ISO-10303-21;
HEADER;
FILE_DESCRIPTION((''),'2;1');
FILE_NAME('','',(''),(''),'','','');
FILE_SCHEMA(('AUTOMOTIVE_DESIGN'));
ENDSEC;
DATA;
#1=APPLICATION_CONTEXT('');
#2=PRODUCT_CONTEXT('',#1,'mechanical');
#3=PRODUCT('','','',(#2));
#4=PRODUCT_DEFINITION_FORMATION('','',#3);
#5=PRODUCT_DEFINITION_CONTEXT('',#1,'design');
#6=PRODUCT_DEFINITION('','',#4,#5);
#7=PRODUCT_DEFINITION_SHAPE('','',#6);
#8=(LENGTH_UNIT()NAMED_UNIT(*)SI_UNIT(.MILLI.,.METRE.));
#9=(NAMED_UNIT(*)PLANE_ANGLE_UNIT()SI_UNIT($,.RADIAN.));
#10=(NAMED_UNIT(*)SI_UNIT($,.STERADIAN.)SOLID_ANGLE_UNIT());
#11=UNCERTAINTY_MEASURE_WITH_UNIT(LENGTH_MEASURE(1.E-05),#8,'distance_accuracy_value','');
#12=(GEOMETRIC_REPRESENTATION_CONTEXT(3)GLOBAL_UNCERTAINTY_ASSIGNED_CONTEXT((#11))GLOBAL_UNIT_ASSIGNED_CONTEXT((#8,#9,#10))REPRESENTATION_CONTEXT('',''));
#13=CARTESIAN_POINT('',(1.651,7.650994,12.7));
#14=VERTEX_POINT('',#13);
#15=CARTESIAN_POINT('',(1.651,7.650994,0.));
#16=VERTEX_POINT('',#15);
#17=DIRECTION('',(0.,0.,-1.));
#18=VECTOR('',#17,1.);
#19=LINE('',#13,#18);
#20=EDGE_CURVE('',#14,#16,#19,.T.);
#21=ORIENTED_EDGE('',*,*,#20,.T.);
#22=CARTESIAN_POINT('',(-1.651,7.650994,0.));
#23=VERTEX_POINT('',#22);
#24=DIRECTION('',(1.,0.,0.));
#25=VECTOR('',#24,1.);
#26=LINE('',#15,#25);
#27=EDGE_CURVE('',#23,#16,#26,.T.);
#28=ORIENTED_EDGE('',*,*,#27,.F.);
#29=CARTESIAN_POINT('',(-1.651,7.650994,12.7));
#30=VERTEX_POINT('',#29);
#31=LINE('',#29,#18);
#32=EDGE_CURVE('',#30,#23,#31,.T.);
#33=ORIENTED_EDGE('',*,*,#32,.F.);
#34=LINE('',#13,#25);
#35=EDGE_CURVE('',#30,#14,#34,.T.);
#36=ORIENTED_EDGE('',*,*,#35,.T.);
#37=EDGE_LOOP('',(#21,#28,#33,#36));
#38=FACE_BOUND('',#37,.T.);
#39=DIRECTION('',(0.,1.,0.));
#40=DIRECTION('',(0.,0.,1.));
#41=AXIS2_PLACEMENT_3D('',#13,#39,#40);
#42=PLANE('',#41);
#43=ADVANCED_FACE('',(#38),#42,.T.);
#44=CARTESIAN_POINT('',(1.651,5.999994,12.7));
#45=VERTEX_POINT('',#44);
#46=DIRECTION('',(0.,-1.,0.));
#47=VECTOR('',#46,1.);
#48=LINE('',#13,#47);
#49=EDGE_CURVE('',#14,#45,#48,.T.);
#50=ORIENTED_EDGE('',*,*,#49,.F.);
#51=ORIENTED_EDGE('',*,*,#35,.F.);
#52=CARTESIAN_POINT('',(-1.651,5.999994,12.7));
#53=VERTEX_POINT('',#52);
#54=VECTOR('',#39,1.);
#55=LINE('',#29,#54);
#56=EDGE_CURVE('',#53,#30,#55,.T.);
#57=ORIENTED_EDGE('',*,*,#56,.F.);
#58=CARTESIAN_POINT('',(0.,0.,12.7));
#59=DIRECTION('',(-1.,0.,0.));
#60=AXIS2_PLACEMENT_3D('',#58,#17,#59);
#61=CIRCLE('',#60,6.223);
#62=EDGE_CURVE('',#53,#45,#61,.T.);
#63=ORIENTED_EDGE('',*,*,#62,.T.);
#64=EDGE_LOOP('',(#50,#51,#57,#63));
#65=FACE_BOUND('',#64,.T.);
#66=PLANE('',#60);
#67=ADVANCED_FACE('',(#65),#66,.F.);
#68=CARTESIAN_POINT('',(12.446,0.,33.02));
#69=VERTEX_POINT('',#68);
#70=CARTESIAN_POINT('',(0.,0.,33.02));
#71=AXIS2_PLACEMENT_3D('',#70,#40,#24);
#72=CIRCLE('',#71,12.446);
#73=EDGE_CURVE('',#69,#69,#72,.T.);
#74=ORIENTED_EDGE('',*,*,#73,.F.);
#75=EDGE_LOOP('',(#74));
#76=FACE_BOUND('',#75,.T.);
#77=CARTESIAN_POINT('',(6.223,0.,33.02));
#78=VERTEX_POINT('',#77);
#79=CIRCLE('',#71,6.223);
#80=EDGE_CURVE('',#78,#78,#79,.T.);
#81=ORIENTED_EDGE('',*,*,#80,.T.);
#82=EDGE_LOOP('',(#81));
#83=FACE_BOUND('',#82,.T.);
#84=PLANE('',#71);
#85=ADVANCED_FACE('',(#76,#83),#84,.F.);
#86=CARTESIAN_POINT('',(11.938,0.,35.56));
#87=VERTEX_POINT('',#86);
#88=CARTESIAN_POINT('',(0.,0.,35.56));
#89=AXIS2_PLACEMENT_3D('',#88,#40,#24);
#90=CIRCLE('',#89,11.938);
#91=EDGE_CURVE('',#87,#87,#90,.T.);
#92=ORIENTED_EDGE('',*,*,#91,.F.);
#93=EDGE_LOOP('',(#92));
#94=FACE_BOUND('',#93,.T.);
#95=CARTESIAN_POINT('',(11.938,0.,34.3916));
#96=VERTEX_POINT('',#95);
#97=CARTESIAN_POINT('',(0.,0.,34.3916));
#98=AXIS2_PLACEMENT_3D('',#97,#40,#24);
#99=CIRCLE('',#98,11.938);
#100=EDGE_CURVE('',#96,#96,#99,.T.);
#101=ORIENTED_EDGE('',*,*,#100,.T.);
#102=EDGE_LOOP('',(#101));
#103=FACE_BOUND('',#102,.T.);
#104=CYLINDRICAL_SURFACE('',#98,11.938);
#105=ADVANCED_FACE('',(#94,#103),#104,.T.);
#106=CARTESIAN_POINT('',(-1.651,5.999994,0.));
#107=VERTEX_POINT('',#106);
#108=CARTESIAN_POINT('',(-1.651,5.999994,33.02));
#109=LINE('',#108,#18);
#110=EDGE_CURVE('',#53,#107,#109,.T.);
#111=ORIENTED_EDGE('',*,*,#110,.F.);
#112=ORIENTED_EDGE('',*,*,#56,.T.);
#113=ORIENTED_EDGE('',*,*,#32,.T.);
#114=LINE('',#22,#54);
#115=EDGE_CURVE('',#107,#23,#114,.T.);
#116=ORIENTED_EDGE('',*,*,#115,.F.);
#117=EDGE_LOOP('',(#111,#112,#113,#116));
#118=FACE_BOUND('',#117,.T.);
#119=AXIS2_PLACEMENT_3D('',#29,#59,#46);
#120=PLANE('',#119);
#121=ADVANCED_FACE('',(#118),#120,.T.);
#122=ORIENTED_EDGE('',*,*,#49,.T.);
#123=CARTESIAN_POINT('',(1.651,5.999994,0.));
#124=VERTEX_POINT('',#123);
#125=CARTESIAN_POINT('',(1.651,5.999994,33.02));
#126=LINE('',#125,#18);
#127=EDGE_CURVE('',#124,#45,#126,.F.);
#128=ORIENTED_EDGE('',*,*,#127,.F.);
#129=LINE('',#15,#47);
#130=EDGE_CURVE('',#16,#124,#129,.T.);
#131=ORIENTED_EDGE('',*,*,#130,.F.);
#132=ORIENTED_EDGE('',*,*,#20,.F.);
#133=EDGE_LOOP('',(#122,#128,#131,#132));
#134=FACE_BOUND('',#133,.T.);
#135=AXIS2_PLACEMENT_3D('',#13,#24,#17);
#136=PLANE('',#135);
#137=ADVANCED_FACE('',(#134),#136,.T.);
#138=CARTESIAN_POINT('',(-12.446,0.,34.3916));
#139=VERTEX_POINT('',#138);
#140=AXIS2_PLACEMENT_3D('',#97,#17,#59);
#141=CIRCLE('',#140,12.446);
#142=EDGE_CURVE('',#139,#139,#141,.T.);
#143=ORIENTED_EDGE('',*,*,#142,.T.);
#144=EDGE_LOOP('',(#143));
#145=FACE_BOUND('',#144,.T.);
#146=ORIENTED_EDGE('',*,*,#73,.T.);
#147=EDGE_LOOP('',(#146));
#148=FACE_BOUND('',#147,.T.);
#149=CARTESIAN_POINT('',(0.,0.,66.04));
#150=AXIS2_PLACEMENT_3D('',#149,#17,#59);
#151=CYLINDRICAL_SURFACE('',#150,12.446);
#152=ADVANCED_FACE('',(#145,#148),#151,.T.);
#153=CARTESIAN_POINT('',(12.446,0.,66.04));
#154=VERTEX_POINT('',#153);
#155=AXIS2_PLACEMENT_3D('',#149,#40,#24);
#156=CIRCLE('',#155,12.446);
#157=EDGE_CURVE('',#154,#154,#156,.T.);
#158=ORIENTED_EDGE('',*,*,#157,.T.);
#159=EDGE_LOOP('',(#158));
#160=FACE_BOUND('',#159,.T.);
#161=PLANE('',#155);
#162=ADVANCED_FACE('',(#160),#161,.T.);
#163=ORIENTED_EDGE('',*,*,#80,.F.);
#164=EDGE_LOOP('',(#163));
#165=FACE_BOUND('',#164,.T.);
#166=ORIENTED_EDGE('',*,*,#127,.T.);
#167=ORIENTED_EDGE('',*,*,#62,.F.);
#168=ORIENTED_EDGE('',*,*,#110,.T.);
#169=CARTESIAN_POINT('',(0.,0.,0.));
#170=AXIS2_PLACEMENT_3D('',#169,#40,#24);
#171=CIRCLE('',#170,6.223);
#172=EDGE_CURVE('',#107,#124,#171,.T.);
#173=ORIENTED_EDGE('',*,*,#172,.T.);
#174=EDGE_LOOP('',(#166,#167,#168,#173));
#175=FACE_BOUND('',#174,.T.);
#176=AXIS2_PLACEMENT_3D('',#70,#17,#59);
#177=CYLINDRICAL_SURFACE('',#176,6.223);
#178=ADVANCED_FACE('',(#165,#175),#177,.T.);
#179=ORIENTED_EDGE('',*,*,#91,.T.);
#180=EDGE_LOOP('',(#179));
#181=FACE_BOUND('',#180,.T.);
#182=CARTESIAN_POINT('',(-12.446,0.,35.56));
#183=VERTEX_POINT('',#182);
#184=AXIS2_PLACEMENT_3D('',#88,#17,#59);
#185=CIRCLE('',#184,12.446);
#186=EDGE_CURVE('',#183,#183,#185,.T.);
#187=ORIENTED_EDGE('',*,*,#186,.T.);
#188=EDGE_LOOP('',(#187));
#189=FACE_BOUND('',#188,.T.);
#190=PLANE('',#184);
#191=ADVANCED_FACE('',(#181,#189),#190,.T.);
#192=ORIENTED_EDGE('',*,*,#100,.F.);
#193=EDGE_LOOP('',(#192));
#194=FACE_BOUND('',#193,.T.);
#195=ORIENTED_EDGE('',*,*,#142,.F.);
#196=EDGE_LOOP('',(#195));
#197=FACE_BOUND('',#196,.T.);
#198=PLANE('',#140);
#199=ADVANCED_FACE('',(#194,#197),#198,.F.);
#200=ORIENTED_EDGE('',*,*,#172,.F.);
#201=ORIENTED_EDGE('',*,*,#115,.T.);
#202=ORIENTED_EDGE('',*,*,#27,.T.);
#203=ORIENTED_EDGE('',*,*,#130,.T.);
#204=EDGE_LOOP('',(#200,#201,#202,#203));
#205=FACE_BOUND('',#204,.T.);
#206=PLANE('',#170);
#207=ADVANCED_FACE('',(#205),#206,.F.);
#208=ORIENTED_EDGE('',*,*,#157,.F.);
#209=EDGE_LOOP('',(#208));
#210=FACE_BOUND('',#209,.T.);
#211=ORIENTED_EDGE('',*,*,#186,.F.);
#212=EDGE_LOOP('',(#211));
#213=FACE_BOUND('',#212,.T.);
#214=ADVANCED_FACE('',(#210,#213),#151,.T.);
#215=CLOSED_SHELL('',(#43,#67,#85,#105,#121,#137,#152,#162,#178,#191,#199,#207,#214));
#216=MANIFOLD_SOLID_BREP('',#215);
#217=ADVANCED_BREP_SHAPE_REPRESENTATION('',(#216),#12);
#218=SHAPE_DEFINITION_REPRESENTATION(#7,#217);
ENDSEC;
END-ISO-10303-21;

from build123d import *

# Parameters (mm, degrees)
SKETCH1_R           = 6.223
BOSS_EXTRUDE1_DEPTH = 33.02
SKETCH2_R           = 12.446
BOSS_EXTRUDE2_DEPTH = 33.02
SKETCH3_W           = 3.302
SKETCH3_H           = 3.302
BOSS_EXTRUDE3_DEPTH = 12.7
SKETCH4_R           = 11.938
CUT_EXTRUDE1_DEPTH  = 1.1684


with BuildPart() as part:
    # Sketch1 → Boss-Extrude1 (new body)
    with BuildSketch(Plane.XY):
        Circle(SKETCH1_R)
    extrude(amount=BOSS_EXTRUDE1_DEPTH)

    # Sketch2 → Boss-Extrude2 (add)
    with BuildSketch(Plane.XY.offset(33.02)):
        Circle(SKETCH2_R)
    extrude(amount=BOSS_EXTRUDE2_DEPTH)

    # Sketch3 → Boss-Extrude3 (add)
    with BuildSketch(Plane(origin=(0, 0, 0), x_dir=(-1, 0, 0), z_dir=(0, 0, -1))):
        with Locations((0, 5.999994)):
            Rectangle(SKETCH3_W, SKETCH3_H)
    extrude(amount=-BOSS_EXTRUDE3_DEPTH)

    # Sketch4 → Cut-Extrude1 (cut)
    with BuildSketch(Plane.XY.offset(35.56)):
        Polygon((-17.203352379, 15.291868781), (-17.203352379, -16.384145123), (20.97667065, -17.277825766), (19.785096459, 16.68203867), align=None)
        Circle(SKETCH4_R, mode=Mode.SUBTRACT)
    extrude(amount=-CUT_EXTRUDE1_DEPTH, mode=Mode.SUBTRACT)


solid = part.part
